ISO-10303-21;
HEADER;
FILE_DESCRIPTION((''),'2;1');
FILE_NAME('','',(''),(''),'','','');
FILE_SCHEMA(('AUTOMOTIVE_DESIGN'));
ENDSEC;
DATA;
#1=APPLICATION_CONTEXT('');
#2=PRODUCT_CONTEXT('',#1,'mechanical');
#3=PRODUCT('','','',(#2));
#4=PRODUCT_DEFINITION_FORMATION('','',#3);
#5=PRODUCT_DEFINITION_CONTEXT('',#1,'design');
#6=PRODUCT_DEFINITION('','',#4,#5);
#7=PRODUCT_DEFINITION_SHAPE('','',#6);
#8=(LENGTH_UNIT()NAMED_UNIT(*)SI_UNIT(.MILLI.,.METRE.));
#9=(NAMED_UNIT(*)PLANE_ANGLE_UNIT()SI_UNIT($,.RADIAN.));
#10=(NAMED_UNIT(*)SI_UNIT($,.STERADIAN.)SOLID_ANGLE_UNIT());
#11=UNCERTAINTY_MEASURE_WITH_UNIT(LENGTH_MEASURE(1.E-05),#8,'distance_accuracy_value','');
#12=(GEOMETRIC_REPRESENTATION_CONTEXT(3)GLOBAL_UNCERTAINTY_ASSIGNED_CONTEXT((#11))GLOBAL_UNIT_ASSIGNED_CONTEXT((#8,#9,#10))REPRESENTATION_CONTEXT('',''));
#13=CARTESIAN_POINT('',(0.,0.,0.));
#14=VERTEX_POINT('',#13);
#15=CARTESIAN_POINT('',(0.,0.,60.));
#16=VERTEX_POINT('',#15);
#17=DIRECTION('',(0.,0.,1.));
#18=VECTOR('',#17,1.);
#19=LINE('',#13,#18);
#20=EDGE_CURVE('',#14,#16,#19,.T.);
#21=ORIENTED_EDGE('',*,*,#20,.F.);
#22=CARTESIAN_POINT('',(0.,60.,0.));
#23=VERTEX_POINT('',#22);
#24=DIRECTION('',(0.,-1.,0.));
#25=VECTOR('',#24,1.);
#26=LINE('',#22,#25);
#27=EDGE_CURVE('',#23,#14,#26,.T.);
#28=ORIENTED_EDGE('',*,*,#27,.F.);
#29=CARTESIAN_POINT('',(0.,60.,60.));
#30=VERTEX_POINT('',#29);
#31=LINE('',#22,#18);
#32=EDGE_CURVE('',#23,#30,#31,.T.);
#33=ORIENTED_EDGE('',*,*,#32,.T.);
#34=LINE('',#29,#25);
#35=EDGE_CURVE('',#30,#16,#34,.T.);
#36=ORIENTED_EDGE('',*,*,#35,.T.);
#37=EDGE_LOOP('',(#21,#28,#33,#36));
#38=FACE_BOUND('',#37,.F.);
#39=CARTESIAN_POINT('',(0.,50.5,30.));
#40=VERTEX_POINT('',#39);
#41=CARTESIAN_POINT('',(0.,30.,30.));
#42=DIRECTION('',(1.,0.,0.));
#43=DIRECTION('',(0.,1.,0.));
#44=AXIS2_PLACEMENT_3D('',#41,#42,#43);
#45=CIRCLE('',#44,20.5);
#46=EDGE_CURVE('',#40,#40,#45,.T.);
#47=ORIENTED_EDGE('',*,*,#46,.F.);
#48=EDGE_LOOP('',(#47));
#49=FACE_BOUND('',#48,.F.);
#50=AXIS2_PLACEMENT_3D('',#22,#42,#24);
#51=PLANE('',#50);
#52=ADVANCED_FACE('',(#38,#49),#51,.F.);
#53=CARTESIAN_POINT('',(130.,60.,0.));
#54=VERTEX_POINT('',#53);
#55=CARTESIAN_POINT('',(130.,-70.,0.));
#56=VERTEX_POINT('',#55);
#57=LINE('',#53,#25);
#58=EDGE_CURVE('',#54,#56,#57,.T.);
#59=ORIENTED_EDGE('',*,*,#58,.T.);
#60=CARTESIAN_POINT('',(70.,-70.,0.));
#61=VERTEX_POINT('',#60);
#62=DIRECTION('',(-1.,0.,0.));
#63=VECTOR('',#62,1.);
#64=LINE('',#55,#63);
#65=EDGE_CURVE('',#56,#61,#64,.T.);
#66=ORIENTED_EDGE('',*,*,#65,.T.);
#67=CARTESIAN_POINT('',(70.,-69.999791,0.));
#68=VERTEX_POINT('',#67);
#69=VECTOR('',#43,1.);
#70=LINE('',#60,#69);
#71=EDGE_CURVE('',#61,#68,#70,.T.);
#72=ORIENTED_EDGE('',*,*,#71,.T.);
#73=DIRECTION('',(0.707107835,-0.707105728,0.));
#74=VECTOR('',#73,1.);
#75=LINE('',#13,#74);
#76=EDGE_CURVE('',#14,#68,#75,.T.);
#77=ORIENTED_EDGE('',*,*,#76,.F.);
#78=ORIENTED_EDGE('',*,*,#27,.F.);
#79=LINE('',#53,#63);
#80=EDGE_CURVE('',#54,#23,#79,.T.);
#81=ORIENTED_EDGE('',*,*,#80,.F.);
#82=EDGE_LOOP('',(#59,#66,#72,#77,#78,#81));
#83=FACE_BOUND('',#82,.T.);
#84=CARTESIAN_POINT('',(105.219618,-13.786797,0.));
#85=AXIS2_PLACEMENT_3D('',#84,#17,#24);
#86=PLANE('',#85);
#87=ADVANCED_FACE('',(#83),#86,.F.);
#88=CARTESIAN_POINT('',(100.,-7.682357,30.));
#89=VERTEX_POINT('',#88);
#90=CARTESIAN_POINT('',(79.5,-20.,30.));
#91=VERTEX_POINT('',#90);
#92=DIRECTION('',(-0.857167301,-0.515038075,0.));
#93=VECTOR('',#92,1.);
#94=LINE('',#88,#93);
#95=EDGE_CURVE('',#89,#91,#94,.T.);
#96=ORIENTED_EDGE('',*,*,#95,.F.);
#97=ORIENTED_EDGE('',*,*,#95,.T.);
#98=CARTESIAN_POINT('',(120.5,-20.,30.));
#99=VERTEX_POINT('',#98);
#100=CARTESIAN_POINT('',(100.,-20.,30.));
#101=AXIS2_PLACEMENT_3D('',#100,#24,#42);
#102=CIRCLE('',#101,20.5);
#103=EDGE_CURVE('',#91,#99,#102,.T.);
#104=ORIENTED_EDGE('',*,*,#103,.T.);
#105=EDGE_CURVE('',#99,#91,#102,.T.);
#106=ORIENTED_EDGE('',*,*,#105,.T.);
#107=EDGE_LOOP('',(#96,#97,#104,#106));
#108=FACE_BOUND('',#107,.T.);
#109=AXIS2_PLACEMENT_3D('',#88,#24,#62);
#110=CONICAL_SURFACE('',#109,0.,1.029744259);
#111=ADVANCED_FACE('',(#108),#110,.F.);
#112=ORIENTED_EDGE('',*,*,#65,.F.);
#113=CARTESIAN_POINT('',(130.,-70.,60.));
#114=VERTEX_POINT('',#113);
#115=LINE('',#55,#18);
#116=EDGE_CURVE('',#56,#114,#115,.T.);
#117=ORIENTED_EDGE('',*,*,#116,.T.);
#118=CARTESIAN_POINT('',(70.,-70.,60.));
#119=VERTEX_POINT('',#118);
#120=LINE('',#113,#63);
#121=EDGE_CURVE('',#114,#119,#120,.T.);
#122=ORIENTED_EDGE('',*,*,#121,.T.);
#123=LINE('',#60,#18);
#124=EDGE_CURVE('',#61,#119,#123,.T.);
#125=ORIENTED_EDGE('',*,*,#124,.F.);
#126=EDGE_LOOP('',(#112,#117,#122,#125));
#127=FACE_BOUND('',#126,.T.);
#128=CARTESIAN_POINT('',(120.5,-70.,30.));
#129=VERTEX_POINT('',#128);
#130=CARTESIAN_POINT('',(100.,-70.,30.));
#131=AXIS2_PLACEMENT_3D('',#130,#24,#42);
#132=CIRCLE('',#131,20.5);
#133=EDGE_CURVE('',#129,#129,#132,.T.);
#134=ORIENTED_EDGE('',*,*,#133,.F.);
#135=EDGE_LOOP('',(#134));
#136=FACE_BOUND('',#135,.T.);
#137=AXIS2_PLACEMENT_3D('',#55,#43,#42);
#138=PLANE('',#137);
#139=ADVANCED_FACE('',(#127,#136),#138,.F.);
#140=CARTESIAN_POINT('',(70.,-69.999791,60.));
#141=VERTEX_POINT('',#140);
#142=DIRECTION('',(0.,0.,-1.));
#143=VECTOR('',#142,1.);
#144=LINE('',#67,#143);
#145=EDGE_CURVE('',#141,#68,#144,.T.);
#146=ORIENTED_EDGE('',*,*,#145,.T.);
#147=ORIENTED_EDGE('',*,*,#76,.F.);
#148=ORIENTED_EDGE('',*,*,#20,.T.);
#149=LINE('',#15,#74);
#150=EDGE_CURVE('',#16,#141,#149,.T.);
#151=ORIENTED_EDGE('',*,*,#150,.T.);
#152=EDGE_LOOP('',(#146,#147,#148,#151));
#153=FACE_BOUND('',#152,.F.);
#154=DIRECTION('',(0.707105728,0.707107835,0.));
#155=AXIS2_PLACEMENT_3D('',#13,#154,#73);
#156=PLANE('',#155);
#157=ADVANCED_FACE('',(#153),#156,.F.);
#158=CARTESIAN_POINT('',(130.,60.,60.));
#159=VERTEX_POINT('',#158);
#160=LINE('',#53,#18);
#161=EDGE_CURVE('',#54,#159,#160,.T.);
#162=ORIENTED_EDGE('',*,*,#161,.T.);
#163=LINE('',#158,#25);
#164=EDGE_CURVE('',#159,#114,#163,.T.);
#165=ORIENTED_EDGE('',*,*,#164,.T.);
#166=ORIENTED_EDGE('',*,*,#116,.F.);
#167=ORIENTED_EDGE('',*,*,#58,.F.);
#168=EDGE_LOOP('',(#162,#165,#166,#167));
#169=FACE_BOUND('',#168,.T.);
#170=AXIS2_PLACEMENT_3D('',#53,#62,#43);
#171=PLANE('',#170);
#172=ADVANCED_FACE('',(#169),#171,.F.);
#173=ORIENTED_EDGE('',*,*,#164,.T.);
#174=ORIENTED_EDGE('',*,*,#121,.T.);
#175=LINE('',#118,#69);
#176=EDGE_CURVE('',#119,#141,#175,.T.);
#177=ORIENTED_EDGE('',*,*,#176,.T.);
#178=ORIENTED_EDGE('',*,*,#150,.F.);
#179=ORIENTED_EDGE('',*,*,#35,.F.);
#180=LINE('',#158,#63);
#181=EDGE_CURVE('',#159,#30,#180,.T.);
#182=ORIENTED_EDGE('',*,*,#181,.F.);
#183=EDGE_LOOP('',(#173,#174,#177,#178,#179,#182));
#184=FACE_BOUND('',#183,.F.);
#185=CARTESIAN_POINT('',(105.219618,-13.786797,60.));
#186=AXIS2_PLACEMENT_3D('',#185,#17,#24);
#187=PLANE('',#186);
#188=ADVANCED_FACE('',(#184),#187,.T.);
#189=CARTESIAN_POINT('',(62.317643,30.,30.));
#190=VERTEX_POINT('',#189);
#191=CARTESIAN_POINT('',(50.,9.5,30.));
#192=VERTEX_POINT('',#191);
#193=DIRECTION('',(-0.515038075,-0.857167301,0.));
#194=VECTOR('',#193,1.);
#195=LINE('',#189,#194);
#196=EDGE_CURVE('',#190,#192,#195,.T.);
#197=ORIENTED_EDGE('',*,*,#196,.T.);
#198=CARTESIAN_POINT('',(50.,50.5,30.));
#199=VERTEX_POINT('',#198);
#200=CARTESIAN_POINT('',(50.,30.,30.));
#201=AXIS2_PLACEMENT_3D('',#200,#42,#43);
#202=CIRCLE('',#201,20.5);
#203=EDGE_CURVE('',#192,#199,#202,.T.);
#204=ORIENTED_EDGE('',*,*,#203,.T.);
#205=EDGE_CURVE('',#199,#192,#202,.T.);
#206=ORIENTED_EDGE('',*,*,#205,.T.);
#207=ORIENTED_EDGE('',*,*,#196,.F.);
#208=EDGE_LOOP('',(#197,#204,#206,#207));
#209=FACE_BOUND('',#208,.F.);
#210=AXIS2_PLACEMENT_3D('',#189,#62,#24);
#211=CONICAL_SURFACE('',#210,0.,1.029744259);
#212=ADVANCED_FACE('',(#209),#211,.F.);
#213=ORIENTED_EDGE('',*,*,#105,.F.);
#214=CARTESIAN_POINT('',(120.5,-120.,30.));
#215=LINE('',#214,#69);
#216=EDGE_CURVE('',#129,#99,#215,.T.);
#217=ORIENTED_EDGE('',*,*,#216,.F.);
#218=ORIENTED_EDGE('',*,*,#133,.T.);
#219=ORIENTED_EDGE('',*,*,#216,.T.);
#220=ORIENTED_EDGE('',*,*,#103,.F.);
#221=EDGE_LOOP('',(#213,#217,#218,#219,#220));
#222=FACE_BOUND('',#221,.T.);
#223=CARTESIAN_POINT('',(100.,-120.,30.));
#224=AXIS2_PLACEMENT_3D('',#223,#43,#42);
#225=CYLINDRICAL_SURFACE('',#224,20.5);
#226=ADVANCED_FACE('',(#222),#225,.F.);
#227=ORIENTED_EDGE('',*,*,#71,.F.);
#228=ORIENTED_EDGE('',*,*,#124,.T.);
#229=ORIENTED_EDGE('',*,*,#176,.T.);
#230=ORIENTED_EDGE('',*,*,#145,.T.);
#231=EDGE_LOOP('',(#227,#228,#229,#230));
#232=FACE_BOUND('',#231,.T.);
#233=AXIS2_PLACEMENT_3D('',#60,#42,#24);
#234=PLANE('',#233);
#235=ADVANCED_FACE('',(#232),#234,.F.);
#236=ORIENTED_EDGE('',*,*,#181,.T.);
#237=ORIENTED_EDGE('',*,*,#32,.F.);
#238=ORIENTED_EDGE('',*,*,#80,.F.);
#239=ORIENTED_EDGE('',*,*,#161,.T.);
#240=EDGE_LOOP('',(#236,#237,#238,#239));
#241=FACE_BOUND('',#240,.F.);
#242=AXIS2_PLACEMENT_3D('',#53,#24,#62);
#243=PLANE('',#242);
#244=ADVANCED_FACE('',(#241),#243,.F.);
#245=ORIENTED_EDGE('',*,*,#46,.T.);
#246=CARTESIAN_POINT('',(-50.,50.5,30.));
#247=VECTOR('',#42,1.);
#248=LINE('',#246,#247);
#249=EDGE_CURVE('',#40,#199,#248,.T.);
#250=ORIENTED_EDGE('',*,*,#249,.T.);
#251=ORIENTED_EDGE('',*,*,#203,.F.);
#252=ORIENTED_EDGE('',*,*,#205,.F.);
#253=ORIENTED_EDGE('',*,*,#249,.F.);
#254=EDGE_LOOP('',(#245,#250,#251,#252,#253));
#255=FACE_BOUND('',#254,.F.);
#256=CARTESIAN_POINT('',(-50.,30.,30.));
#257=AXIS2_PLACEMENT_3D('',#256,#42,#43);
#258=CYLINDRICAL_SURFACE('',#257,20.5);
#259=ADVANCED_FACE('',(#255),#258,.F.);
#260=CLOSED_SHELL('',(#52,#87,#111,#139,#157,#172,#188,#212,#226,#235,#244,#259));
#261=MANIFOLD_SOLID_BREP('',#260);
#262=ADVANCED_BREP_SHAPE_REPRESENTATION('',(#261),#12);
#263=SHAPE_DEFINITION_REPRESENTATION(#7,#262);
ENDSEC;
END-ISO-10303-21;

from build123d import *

# Parameters (mm, degrees)
F1_DEPTH = 60
F3_D     = 41
F3_DEPTH = 50
F3_TIP   = 12.3176426901
F6_DEPTH = 60


with BuildPart() as f1:
    # F0 (on Top) → F1 (new body)
    with BuildSketch(Plane.XY):
        Polygon((130, 60), (0, 60), (0, 30), (0, 0), (70, 0), align=None)
    extrude(amount=F1_DEPTH)

    # F3
    with Locations(Plane(origin=(0, 0, 0), x_dir=(0, -1, 0), z_dir=(-1, 0, 0))):
        with Locations((-30, 30)):
            Hole(F3_D / 2, depth=F3_DEPTH)
            with Locations((0, 0, -(F3_DEPTH + F3_TIP / 2))):  # 118° drill point
                Cone(0, F3_D / 2, F3_TIP, mode=Mode.SUBTRACT)

    # F4: F1 across face


with BuildPart() as f1_1:
    add(f1.part)
    add(f1.part.mirror(Plane(origin=(100, 30, 30), x_dir=(0.7071067812, 0.7071067812, 0), z_dir=(0.7071067812, -0.7071067812, 0))))

    # F5 (on Top) → F6 (join)
    with BuildSketch(Plane.XY):
        Polygon((70.0001195073, 0), (0, 0), (70.0001195073, -69.9999108911), align=None)
    extrude(amount=F6_DEPTH)


solid = f1_1.part
